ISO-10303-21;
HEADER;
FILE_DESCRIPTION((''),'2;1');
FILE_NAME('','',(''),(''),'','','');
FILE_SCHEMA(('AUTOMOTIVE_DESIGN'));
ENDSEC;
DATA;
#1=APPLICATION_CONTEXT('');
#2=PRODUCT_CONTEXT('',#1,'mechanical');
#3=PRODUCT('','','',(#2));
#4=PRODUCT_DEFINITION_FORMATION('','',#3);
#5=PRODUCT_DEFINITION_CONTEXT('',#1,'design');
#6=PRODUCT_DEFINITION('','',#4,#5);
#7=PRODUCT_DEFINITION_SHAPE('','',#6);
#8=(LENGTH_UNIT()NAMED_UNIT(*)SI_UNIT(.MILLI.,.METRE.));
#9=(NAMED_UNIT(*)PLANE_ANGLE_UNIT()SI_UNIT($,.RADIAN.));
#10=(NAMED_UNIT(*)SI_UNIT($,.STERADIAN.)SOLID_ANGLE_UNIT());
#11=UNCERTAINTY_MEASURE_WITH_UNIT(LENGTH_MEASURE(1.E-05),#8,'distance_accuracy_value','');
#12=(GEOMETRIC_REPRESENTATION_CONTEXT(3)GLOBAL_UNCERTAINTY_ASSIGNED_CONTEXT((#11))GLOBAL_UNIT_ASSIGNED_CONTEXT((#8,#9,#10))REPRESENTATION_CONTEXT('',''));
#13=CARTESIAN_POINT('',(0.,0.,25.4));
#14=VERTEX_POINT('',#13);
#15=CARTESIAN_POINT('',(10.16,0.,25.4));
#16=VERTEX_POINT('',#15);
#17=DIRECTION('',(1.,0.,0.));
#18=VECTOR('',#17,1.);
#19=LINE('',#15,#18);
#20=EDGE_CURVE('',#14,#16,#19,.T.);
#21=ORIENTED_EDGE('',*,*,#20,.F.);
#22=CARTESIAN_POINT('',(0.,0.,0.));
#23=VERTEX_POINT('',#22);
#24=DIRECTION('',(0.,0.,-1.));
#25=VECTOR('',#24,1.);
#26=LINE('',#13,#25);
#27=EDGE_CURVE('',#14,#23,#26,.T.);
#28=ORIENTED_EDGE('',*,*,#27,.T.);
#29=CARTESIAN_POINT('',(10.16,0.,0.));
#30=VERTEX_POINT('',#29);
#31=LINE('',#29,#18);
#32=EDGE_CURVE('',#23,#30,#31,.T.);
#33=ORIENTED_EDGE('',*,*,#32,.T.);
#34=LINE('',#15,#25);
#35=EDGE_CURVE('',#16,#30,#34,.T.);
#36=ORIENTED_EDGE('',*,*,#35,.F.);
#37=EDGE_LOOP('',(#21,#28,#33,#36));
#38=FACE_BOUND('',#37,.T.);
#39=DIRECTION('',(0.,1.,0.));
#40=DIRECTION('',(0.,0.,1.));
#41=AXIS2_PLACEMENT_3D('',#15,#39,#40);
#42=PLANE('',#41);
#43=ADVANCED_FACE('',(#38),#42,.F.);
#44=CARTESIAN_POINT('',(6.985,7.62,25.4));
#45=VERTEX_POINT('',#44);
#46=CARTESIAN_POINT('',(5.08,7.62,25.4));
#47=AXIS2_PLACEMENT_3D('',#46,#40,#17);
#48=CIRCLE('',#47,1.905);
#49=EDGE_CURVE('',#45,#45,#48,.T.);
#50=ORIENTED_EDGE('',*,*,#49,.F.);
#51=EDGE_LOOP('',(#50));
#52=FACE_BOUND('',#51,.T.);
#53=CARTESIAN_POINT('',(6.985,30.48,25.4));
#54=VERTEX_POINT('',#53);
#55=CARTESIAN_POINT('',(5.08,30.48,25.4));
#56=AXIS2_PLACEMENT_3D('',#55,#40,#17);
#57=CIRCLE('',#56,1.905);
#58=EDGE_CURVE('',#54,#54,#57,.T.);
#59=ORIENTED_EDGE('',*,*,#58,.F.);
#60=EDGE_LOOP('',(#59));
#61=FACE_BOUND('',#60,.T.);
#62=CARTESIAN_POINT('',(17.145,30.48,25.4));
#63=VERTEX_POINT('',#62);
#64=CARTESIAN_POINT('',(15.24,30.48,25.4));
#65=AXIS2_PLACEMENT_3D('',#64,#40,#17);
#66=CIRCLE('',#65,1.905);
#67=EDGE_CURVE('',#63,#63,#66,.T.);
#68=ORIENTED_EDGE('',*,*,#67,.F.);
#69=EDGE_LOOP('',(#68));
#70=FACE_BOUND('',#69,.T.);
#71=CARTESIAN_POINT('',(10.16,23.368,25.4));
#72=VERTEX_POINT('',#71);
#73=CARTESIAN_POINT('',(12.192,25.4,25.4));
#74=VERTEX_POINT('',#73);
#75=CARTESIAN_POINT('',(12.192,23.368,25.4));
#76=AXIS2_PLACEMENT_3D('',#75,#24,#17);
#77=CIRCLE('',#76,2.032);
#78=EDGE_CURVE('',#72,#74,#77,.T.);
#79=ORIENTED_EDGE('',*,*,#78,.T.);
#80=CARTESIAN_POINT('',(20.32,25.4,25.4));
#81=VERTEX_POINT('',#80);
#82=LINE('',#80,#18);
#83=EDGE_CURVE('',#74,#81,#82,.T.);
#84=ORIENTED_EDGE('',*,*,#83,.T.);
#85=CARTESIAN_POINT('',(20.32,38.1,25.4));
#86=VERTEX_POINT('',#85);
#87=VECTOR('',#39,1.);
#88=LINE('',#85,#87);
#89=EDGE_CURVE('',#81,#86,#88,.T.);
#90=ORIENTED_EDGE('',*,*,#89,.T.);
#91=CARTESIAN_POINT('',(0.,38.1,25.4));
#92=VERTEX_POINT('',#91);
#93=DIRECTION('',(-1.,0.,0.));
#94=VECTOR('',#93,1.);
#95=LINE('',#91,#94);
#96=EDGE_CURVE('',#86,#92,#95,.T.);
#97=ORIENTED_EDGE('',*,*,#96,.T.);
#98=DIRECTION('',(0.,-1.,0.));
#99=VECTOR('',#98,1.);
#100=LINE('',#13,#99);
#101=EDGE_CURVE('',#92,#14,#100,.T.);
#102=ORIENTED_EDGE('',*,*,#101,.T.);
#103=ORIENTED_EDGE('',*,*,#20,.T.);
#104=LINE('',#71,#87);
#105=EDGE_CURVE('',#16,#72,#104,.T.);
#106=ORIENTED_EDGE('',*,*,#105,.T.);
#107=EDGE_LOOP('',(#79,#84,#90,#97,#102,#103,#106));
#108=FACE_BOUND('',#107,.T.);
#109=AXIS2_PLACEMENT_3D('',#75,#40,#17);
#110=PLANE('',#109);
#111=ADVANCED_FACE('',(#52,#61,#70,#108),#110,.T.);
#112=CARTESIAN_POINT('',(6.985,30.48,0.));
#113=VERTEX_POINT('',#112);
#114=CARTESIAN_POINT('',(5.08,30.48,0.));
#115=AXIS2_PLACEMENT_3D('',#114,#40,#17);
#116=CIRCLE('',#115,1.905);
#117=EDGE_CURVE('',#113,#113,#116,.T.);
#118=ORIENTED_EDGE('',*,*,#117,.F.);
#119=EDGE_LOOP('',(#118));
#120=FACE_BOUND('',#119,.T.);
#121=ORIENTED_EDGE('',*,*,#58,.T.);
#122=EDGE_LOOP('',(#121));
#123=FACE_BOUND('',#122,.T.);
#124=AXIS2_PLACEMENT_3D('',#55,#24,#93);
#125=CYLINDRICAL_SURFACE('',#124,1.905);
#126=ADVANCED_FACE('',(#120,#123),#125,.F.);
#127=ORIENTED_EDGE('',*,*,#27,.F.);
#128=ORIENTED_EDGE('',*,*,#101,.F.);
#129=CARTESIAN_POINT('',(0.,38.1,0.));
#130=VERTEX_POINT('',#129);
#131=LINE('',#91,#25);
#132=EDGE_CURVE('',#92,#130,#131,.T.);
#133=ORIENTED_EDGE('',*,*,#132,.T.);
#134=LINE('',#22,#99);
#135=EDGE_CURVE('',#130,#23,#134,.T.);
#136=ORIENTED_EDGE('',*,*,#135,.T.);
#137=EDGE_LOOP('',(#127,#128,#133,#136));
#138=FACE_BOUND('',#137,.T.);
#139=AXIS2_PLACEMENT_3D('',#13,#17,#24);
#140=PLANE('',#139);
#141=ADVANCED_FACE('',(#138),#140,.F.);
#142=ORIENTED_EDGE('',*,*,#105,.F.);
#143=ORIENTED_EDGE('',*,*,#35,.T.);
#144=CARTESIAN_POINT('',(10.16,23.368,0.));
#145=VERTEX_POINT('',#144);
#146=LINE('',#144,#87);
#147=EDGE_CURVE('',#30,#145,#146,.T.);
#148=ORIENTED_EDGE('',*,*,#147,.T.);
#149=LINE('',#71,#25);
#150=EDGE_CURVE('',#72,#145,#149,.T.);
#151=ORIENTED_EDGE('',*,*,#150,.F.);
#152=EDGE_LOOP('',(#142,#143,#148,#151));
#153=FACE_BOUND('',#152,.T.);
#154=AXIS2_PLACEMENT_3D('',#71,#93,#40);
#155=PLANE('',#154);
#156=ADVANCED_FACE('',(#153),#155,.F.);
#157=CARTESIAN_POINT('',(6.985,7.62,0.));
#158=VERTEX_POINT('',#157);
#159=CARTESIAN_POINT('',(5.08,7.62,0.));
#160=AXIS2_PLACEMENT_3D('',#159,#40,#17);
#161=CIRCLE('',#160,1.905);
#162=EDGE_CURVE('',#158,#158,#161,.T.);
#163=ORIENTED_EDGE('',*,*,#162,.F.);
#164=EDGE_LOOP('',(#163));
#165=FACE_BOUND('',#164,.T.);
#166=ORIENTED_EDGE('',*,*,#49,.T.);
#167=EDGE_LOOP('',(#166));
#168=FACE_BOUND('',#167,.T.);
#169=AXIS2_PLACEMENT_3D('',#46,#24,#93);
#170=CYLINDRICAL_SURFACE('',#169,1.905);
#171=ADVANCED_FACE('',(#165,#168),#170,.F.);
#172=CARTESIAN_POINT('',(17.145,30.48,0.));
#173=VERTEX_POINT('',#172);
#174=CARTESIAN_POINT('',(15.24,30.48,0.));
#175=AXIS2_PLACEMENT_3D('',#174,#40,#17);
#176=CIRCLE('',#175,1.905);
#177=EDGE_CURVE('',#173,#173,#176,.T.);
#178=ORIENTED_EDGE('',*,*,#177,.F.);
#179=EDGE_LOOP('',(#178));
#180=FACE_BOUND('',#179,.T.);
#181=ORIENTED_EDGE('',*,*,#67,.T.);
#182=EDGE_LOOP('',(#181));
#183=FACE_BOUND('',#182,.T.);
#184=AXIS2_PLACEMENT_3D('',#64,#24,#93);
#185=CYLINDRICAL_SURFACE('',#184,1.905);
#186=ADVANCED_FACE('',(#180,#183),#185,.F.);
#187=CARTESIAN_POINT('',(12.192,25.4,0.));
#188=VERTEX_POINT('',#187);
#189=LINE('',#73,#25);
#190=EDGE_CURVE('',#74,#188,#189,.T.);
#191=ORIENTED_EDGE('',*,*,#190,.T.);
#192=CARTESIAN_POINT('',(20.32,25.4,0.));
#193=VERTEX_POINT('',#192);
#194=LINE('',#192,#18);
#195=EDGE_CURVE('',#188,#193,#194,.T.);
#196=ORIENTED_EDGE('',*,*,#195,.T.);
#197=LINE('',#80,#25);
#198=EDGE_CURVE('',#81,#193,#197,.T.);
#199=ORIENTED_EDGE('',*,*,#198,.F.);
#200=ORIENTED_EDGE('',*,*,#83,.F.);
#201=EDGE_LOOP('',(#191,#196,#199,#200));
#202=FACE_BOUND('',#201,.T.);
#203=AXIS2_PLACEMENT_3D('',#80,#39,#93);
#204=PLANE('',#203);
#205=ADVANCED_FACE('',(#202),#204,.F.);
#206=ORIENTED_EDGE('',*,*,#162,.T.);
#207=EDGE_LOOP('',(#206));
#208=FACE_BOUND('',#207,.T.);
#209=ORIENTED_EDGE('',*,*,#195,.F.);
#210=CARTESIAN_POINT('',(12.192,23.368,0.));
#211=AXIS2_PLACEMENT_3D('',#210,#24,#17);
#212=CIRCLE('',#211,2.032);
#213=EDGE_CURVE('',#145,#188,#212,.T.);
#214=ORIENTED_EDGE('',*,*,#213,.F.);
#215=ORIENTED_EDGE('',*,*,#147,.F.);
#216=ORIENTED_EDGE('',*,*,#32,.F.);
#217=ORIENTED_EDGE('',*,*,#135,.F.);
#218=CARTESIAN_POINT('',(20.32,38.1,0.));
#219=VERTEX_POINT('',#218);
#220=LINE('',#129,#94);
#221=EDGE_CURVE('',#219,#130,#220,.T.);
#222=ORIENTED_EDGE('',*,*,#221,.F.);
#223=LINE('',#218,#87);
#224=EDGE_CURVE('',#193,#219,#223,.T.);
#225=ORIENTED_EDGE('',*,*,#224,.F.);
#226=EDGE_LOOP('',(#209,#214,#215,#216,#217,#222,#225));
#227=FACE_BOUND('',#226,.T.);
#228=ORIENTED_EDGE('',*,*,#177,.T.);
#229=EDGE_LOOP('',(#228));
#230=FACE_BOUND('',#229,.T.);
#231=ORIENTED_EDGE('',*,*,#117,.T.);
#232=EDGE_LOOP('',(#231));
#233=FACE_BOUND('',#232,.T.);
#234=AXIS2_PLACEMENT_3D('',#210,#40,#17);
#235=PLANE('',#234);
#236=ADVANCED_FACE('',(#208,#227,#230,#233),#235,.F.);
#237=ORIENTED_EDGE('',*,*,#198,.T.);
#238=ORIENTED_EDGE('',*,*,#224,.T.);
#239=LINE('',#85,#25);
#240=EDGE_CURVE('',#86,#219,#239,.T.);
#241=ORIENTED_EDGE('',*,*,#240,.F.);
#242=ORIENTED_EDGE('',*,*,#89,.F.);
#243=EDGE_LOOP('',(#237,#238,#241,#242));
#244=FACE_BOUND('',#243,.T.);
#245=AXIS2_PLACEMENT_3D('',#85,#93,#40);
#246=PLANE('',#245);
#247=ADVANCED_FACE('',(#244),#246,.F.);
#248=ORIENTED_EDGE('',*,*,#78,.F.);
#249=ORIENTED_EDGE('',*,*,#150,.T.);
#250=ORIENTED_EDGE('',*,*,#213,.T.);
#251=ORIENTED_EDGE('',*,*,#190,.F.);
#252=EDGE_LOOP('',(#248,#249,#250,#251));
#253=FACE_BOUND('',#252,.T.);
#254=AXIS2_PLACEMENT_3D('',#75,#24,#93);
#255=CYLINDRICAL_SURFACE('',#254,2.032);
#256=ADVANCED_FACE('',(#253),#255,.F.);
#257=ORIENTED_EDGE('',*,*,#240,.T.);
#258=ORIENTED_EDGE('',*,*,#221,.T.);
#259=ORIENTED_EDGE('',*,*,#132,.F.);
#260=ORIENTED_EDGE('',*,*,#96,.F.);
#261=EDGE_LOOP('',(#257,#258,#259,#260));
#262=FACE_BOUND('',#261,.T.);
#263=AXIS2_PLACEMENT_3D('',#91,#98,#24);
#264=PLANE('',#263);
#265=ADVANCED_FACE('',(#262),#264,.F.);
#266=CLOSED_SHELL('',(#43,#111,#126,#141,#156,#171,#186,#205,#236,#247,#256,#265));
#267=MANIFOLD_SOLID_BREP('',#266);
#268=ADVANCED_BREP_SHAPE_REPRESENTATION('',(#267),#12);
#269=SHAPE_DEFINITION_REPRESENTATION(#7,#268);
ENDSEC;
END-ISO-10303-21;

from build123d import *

# Parameters (mm, degrees)
SKETCH1_R           = 1.905
BOSS_EXTRUDE1_DEPTH = 25.4


with BuildPart() as part:
    # Sketch1 → Boss-Extrude1 (new body)
    with BuildSketch(Plane.XY):
        with BuildLine():
            Line((0, 0), (0, 38.1))
            Line((0, 38.1), (20.32, 38.1))
            Line((20.32, 38.1), (20.32, 25.4))
            Line((20.32, 25.4), (12.192, 25.4))
            ThreePointArc((12.192, 25.4), (10.755159021, 24.804840979), (10.16, 23.368))
            Line((10.16, 23.368), (10.16, 0))
            Line((10.16, 0), (0, 0))
        make_face()
        with Locations((5.08, 30.48)):
            Circle(SKETCH1_R, mode=Mode.SUBTRACT)
        with Locations((5.08, 7.62)):
            Circle(SKETCH1_R, mode=Mode.SUBTRACT)
        with Locations((15.24, 30.48)):
            Circle(SKETCH1_R, mode=Mode.SUBTRACT)
    extrude(amount=BOSS_EXTRUDE1_DEPTH)


solid = part.part
